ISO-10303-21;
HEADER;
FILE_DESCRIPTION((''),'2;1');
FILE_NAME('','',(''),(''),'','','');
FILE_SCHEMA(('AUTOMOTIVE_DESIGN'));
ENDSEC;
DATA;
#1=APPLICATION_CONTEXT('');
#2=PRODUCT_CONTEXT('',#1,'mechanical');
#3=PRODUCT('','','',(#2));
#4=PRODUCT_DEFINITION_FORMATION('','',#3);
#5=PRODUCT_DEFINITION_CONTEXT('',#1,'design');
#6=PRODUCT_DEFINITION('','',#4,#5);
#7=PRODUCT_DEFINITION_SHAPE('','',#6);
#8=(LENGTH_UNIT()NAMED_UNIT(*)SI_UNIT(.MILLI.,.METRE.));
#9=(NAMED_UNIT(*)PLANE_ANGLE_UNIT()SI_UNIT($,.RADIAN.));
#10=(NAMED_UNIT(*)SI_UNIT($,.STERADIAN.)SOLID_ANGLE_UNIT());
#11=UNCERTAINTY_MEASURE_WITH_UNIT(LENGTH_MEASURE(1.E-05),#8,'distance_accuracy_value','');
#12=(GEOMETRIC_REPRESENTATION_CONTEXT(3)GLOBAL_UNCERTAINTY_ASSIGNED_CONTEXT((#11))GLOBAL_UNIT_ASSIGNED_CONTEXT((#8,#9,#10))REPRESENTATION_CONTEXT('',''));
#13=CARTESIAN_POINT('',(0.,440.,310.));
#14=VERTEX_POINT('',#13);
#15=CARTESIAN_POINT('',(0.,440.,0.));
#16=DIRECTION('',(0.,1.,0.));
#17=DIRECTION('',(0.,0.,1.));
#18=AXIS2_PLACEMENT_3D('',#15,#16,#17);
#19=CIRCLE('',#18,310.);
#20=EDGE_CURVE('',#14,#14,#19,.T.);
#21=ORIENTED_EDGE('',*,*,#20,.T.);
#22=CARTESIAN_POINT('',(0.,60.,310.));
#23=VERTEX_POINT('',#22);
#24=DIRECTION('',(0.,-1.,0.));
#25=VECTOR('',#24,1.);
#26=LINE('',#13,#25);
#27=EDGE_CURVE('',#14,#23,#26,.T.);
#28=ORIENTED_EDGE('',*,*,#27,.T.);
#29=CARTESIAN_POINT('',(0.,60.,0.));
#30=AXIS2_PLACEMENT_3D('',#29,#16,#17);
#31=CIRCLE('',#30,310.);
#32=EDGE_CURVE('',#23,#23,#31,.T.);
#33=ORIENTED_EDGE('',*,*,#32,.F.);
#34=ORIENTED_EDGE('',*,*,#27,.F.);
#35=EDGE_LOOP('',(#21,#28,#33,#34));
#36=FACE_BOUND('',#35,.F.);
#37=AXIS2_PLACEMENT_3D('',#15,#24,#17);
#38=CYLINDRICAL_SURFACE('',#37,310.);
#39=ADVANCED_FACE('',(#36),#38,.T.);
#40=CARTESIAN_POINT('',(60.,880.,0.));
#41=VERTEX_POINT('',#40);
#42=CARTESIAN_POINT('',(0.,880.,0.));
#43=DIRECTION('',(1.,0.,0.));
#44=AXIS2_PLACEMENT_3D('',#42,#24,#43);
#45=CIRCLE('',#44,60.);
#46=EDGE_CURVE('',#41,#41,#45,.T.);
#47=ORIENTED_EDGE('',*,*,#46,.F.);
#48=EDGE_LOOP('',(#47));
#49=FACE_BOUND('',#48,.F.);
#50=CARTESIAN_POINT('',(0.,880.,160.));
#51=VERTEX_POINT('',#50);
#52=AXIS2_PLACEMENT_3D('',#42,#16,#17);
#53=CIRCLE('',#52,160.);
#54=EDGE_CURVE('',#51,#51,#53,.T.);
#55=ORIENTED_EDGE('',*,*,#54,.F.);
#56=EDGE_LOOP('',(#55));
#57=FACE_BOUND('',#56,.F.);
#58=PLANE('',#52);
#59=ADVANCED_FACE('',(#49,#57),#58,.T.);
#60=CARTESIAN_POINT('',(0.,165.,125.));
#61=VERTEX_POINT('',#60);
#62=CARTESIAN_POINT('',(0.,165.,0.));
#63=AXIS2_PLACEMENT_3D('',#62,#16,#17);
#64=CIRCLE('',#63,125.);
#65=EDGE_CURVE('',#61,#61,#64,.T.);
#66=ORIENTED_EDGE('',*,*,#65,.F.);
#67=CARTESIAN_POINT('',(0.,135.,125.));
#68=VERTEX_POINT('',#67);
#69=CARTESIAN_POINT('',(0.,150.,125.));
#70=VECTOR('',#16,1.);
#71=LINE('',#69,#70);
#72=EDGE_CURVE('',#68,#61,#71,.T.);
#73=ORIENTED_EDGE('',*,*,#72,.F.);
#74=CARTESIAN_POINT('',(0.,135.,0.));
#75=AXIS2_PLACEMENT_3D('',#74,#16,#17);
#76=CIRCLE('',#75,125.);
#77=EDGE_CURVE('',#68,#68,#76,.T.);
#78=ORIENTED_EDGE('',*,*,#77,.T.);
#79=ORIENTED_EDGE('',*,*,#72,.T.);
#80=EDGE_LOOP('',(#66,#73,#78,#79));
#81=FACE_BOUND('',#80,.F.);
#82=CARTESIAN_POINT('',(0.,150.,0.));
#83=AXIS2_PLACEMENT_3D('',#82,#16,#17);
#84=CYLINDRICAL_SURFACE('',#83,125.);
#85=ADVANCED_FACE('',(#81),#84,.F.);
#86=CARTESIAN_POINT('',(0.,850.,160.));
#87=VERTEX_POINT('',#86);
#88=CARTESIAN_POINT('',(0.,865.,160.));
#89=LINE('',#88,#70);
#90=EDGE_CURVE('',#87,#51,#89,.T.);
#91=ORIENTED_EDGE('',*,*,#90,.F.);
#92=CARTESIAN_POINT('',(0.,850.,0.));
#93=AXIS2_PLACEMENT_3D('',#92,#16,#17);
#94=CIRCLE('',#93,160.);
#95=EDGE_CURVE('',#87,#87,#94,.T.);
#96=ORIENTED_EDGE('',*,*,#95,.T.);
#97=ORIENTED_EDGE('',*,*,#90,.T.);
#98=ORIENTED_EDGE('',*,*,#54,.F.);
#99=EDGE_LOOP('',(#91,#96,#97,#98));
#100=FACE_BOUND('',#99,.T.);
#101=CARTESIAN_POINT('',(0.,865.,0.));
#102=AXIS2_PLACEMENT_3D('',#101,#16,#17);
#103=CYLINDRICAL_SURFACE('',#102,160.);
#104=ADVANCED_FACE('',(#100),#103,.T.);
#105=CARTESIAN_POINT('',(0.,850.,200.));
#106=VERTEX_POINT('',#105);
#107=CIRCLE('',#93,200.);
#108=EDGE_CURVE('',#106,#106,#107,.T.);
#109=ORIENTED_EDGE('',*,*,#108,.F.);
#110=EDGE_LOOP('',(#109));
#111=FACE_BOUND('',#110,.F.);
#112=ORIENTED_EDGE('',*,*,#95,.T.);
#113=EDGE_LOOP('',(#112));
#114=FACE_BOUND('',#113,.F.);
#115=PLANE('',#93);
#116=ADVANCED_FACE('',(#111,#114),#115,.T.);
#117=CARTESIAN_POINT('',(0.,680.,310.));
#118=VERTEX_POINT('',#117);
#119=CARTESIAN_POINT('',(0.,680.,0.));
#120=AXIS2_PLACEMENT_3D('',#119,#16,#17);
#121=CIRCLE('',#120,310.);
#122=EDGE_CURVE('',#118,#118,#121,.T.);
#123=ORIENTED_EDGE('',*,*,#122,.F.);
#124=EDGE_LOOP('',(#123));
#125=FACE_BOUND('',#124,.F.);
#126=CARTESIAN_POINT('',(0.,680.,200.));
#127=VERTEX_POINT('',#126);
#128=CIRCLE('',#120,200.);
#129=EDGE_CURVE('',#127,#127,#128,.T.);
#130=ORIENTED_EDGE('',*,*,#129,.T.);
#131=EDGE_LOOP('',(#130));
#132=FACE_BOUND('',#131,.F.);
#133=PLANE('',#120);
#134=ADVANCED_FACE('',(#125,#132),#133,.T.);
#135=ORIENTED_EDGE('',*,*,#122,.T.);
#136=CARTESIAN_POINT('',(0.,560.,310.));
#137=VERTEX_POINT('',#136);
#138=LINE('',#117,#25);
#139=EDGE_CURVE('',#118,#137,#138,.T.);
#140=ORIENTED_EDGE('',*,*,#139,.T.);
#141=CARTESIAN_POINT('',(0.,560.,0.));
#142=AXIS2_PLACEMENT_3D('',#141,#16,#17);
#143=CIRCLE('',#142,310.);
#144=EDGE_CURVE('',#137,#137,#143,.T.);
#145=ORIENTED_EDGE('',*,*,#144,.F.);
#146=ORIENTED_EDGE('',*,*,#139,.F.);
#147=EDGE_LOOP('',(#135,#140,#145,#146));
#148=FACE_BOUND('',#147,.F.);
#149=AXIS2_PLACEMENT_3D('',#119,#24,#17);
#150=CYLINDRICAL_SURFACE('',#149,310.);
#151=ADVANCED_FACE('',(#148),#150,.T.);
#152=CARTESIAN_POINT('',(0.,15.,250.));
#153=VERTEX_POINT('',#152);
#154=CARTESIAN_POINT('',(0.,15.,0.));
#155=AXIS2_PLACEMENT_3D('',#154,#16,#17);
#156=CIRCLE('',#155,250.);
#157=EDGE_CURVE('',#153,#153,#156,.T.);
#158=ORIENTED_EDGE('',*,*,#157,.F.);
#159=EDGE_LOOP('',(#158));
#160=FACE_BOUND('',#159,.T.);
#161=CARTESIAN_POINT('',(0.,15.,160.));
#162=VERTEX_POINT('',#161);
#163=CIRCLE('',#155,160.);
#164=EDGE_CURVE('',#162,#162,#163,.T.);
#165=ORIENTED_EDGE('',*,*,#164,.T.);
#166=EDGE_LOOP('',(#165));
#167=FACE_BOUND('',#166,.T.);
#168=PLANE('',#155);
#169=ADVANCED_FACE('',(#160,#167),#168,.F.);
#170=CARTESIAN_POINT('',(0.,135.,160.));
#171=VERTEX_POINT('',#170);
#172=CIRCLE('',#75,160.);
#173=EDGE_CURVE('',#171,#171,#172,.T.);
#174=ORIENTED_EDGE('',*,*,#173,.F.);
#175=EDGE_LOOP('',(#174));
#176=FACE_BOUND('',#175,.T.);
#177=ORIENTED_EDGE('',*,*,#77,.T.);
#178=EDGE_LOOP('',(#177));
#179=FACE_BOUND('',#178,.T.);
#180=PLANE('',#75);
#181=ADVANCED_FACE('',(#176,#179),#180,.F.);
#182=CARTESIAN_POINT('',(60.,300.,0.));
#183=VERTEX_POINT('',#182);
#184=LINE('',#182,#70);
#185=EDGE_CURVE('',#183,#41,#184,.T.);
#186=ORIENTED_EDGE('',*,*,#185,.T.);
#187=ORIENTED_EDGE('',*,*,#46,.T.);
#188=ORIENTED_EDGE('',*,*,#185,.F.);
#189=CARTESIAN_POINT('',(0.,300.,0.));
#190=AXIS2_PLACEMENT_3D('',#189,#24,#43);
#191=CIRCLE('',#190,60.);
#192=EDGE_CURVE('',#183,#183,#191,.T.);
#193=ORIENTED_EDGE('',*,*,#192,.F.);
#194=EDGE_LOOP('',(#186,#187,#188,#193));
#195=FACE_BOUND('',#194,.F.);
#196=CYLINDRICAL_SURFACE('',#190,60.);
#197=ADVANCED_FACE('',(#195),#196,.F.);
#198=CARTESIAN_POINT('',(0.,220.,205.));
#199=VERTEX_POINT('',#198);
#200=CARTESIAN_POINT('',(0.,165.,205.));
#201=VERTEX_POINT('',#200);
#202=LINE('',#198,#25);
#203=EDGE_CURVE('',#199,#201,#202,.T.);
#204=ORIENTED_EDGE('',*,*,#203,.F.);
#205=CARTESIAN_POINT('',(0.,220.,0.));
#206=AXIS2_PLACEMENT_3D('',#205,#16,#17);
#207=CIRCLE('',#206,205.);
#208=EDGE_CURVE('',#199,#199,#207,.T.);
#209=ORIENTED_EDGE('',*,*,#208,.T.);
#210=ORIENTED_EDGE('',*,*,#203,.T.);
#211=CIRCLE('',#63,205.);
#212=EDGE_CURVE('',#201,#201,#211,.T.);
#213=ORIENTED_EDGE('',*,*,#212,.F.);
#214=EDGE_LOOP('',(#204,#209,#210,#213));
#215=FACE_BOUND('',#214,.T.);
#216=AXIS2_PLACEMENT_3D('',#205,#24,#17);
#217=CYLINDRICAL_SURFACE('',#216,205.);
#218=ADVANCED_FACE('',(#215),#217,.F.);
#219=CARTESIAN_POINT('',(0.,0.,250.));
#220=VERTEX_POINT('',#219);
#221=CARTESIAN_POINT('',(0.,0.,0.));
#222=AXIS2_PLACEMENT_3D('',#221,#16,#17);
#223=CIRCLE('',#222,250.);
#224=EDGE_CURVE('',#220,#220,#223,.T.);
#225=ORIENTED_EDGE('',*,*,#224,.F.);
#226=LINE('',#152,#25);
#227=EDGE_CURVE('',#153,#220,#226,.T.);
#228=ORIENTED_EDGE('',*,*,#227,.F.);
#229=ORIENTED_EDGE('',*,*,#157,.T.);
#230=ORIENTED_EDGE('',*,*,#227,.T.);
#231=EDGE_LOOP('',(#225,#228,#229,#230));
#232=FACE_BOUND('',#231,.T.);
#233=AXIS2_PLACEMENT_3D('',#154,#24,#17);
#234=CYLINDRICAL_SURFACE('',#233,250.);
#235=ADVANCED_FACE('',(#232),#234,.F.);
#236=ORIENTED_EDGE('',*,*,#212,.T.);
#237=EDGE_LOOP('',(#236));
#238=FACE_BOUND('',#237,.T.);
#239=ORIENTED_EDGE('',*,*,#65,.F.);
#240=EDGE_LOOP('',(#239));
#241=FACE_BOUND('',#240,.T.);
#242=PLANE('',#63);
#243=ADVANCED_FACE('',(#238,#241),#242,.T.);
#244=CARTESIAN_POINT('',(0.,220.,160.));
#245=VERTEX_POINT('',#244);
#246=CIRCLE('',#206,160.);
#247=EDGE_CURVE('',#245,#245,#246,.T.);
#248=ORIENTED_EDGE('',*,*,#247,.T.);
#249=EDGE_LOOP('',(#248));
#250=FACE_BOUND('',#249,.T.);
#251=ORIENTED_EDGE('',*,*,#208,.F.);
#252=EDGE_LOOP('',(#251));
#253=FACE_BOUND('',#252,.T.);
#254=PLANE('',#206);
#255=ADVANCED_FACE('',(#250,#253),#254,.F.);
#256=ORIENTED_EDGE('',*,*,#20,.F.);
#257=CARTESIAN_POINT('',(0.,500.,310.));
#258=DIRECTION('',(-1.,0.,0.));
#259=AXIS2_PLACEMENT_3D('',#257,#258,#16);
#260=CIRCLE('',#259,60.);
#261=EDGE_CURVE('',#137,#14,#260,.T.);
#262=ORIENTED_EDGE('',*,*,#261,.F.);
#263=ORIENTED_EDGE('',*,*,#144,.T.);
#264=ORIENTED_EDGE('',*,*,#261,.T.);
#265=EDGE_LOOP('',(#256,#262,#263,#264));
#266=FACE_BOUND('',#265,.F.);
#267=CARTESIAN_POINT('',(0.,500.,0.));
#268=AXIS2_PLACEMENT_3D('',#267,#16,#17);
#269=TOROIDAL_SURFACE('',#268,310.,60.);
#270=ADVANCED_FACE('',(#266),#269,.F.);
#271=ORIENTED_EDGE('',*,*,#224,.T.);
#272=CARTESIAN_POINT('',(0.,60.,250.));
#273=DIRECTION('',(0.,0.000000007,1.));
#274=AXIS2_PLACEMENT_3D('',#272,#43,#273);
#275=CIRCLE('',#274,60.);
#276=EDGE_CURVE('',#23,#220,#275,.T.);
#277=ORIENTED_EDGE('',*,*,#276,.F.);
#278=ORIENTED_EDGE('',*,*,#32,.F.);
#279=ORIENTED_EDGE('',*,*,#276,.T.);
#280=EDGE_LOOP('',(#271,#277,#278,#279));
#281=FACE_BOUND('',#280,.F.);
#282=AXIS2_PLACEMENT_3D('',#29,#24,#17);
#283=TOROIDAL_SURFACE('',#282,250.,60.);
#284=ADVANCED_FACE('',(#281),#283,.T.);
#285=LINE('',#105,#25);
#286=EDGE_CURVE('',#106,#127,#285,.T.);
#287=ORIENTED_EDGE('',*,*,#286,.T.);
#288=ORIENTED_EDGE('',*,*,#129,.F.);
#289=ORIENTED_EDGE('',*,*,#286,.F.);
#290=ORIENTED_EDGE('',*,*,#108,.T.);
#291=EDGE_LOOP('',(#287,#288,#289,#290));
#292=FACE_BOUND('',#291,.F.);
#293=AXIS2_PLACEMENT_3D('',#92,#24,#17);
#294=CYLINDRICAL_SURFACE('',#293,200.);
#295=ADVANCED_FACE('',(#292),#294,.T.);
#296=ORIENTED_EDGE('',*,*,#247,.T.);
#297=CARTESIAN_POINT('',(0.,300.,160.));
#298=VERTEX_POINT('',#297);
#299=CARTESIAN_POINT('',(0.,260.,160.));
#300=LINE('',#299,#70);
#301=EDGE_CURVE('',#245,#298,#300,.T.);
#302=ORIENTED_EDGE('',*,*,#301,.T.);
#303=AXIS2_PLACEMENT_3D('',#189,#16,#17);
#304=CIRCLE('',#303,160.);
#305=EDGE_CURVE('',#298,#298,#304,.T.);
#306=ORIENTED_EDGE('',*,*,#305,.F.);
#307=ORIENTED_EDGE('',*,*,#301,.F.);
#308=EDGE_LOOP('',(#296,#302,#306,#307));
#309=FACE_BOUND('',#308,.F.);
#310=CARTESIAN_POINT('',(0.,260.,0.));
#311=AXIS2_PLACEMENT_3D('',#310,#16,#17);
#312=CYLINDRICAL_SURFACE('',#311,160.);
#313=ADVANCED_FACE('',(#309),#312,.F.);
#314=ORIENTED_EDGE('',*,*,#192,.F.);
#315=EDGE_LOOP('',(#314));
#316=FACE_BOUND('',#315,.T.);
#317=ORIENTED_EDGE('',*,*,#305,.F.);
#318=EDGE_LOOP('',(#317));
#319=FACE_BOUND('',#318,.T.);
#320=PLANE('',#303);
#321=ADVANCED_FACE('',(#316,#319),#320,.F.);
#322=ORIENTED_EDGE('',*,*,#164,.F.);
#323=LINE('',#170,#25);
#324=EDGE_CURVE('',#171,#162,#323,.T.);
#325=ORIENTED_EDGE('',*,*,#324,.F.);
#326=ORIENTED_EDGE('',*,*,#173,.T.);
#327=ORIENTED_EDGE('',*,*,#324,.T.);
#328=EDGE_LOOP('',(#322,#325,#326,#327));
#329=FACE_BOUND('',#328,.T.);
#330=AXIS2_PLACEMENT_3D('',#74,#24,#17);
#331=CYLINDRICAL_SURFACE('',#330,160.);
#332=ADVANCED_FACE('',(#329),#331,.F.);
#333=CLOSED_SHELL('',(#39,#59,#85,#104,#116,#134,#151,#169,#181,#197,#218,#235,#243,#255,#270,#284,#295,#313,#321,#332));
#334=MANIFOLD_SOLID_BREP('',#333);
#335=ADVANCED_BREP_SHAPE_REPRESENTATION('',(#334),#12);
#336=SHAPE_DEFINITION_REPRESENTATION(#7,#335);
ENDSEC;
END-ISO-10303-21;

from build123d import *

# Parameters (mm, degrees)
F0_W     = 30
F0_H     = 160
F2_W     = 30
F2_H     = 125
F2_W_2   = 80
F2_H_2   = 160
F4_R     = 60
F5_DEPTH = 580.001


with BuildPart() as f1:
    # F0 (on Right) → F1 (revolve)
    with BuildSketch(Plane.YZ):
        with BuildLine():
            Line((0, 250), (0, 0))
            Line((0, 0), (680, 0))
            Line((680, 0), (680, 200))
            Line((680, 200), (680, 310))
            Line((680, 310), (560, 310))
            ThreePointArc((560, 310), (500, 250), (440, 310))
            Line((440, 310), (60, 310))
            ThreePointArc((60, 310), (17.573593, 292.426407), (0, 250))
        make_face()
        Polygon((680, 200), (680, 0), (850, 0), (850, 160), (850, 200), align=None)
        with Locations((865, 80)):
            Rectangle(F0_W, F0_H)
    revolve(axis=Axis((0, 440, 0), (0, 1, 0)))

    # F2 (on Right) → F3 (revolve, cut)
    with BuildSketch(Plane.YZ):
        Polygon((0, 250), (0, 0), (15, 0), (15, 160), (15, 250), align=None)
        Polygon((15, 160), (15, 0), (135, 0), (135, 125), (135, 160), align=None)
        with Locations((150, 62.5)):
            Rectangle(F2_W, F2_H)
        Polygon((165, 125), (165, 0), (220, 0), (220, 160), (220, 205), (165, 205), align=None)
        with Locations((260, 80)):
            Rectangle(F2_W_2, F2_H_2)
    revolve(axis=Axis((0, 192.5, 0), (0, 1, 0)), mode=Mode.SUBTRACT)

    # F4 (on face) → F5 (cut, through all)
    with BuildSketch(Plane.XZ.offset(-300)):
        Circle(F4_R)
    extrude(amount=-F5_DEPTH, mode=Mode.SUBTRACT)


solid = f1.part
